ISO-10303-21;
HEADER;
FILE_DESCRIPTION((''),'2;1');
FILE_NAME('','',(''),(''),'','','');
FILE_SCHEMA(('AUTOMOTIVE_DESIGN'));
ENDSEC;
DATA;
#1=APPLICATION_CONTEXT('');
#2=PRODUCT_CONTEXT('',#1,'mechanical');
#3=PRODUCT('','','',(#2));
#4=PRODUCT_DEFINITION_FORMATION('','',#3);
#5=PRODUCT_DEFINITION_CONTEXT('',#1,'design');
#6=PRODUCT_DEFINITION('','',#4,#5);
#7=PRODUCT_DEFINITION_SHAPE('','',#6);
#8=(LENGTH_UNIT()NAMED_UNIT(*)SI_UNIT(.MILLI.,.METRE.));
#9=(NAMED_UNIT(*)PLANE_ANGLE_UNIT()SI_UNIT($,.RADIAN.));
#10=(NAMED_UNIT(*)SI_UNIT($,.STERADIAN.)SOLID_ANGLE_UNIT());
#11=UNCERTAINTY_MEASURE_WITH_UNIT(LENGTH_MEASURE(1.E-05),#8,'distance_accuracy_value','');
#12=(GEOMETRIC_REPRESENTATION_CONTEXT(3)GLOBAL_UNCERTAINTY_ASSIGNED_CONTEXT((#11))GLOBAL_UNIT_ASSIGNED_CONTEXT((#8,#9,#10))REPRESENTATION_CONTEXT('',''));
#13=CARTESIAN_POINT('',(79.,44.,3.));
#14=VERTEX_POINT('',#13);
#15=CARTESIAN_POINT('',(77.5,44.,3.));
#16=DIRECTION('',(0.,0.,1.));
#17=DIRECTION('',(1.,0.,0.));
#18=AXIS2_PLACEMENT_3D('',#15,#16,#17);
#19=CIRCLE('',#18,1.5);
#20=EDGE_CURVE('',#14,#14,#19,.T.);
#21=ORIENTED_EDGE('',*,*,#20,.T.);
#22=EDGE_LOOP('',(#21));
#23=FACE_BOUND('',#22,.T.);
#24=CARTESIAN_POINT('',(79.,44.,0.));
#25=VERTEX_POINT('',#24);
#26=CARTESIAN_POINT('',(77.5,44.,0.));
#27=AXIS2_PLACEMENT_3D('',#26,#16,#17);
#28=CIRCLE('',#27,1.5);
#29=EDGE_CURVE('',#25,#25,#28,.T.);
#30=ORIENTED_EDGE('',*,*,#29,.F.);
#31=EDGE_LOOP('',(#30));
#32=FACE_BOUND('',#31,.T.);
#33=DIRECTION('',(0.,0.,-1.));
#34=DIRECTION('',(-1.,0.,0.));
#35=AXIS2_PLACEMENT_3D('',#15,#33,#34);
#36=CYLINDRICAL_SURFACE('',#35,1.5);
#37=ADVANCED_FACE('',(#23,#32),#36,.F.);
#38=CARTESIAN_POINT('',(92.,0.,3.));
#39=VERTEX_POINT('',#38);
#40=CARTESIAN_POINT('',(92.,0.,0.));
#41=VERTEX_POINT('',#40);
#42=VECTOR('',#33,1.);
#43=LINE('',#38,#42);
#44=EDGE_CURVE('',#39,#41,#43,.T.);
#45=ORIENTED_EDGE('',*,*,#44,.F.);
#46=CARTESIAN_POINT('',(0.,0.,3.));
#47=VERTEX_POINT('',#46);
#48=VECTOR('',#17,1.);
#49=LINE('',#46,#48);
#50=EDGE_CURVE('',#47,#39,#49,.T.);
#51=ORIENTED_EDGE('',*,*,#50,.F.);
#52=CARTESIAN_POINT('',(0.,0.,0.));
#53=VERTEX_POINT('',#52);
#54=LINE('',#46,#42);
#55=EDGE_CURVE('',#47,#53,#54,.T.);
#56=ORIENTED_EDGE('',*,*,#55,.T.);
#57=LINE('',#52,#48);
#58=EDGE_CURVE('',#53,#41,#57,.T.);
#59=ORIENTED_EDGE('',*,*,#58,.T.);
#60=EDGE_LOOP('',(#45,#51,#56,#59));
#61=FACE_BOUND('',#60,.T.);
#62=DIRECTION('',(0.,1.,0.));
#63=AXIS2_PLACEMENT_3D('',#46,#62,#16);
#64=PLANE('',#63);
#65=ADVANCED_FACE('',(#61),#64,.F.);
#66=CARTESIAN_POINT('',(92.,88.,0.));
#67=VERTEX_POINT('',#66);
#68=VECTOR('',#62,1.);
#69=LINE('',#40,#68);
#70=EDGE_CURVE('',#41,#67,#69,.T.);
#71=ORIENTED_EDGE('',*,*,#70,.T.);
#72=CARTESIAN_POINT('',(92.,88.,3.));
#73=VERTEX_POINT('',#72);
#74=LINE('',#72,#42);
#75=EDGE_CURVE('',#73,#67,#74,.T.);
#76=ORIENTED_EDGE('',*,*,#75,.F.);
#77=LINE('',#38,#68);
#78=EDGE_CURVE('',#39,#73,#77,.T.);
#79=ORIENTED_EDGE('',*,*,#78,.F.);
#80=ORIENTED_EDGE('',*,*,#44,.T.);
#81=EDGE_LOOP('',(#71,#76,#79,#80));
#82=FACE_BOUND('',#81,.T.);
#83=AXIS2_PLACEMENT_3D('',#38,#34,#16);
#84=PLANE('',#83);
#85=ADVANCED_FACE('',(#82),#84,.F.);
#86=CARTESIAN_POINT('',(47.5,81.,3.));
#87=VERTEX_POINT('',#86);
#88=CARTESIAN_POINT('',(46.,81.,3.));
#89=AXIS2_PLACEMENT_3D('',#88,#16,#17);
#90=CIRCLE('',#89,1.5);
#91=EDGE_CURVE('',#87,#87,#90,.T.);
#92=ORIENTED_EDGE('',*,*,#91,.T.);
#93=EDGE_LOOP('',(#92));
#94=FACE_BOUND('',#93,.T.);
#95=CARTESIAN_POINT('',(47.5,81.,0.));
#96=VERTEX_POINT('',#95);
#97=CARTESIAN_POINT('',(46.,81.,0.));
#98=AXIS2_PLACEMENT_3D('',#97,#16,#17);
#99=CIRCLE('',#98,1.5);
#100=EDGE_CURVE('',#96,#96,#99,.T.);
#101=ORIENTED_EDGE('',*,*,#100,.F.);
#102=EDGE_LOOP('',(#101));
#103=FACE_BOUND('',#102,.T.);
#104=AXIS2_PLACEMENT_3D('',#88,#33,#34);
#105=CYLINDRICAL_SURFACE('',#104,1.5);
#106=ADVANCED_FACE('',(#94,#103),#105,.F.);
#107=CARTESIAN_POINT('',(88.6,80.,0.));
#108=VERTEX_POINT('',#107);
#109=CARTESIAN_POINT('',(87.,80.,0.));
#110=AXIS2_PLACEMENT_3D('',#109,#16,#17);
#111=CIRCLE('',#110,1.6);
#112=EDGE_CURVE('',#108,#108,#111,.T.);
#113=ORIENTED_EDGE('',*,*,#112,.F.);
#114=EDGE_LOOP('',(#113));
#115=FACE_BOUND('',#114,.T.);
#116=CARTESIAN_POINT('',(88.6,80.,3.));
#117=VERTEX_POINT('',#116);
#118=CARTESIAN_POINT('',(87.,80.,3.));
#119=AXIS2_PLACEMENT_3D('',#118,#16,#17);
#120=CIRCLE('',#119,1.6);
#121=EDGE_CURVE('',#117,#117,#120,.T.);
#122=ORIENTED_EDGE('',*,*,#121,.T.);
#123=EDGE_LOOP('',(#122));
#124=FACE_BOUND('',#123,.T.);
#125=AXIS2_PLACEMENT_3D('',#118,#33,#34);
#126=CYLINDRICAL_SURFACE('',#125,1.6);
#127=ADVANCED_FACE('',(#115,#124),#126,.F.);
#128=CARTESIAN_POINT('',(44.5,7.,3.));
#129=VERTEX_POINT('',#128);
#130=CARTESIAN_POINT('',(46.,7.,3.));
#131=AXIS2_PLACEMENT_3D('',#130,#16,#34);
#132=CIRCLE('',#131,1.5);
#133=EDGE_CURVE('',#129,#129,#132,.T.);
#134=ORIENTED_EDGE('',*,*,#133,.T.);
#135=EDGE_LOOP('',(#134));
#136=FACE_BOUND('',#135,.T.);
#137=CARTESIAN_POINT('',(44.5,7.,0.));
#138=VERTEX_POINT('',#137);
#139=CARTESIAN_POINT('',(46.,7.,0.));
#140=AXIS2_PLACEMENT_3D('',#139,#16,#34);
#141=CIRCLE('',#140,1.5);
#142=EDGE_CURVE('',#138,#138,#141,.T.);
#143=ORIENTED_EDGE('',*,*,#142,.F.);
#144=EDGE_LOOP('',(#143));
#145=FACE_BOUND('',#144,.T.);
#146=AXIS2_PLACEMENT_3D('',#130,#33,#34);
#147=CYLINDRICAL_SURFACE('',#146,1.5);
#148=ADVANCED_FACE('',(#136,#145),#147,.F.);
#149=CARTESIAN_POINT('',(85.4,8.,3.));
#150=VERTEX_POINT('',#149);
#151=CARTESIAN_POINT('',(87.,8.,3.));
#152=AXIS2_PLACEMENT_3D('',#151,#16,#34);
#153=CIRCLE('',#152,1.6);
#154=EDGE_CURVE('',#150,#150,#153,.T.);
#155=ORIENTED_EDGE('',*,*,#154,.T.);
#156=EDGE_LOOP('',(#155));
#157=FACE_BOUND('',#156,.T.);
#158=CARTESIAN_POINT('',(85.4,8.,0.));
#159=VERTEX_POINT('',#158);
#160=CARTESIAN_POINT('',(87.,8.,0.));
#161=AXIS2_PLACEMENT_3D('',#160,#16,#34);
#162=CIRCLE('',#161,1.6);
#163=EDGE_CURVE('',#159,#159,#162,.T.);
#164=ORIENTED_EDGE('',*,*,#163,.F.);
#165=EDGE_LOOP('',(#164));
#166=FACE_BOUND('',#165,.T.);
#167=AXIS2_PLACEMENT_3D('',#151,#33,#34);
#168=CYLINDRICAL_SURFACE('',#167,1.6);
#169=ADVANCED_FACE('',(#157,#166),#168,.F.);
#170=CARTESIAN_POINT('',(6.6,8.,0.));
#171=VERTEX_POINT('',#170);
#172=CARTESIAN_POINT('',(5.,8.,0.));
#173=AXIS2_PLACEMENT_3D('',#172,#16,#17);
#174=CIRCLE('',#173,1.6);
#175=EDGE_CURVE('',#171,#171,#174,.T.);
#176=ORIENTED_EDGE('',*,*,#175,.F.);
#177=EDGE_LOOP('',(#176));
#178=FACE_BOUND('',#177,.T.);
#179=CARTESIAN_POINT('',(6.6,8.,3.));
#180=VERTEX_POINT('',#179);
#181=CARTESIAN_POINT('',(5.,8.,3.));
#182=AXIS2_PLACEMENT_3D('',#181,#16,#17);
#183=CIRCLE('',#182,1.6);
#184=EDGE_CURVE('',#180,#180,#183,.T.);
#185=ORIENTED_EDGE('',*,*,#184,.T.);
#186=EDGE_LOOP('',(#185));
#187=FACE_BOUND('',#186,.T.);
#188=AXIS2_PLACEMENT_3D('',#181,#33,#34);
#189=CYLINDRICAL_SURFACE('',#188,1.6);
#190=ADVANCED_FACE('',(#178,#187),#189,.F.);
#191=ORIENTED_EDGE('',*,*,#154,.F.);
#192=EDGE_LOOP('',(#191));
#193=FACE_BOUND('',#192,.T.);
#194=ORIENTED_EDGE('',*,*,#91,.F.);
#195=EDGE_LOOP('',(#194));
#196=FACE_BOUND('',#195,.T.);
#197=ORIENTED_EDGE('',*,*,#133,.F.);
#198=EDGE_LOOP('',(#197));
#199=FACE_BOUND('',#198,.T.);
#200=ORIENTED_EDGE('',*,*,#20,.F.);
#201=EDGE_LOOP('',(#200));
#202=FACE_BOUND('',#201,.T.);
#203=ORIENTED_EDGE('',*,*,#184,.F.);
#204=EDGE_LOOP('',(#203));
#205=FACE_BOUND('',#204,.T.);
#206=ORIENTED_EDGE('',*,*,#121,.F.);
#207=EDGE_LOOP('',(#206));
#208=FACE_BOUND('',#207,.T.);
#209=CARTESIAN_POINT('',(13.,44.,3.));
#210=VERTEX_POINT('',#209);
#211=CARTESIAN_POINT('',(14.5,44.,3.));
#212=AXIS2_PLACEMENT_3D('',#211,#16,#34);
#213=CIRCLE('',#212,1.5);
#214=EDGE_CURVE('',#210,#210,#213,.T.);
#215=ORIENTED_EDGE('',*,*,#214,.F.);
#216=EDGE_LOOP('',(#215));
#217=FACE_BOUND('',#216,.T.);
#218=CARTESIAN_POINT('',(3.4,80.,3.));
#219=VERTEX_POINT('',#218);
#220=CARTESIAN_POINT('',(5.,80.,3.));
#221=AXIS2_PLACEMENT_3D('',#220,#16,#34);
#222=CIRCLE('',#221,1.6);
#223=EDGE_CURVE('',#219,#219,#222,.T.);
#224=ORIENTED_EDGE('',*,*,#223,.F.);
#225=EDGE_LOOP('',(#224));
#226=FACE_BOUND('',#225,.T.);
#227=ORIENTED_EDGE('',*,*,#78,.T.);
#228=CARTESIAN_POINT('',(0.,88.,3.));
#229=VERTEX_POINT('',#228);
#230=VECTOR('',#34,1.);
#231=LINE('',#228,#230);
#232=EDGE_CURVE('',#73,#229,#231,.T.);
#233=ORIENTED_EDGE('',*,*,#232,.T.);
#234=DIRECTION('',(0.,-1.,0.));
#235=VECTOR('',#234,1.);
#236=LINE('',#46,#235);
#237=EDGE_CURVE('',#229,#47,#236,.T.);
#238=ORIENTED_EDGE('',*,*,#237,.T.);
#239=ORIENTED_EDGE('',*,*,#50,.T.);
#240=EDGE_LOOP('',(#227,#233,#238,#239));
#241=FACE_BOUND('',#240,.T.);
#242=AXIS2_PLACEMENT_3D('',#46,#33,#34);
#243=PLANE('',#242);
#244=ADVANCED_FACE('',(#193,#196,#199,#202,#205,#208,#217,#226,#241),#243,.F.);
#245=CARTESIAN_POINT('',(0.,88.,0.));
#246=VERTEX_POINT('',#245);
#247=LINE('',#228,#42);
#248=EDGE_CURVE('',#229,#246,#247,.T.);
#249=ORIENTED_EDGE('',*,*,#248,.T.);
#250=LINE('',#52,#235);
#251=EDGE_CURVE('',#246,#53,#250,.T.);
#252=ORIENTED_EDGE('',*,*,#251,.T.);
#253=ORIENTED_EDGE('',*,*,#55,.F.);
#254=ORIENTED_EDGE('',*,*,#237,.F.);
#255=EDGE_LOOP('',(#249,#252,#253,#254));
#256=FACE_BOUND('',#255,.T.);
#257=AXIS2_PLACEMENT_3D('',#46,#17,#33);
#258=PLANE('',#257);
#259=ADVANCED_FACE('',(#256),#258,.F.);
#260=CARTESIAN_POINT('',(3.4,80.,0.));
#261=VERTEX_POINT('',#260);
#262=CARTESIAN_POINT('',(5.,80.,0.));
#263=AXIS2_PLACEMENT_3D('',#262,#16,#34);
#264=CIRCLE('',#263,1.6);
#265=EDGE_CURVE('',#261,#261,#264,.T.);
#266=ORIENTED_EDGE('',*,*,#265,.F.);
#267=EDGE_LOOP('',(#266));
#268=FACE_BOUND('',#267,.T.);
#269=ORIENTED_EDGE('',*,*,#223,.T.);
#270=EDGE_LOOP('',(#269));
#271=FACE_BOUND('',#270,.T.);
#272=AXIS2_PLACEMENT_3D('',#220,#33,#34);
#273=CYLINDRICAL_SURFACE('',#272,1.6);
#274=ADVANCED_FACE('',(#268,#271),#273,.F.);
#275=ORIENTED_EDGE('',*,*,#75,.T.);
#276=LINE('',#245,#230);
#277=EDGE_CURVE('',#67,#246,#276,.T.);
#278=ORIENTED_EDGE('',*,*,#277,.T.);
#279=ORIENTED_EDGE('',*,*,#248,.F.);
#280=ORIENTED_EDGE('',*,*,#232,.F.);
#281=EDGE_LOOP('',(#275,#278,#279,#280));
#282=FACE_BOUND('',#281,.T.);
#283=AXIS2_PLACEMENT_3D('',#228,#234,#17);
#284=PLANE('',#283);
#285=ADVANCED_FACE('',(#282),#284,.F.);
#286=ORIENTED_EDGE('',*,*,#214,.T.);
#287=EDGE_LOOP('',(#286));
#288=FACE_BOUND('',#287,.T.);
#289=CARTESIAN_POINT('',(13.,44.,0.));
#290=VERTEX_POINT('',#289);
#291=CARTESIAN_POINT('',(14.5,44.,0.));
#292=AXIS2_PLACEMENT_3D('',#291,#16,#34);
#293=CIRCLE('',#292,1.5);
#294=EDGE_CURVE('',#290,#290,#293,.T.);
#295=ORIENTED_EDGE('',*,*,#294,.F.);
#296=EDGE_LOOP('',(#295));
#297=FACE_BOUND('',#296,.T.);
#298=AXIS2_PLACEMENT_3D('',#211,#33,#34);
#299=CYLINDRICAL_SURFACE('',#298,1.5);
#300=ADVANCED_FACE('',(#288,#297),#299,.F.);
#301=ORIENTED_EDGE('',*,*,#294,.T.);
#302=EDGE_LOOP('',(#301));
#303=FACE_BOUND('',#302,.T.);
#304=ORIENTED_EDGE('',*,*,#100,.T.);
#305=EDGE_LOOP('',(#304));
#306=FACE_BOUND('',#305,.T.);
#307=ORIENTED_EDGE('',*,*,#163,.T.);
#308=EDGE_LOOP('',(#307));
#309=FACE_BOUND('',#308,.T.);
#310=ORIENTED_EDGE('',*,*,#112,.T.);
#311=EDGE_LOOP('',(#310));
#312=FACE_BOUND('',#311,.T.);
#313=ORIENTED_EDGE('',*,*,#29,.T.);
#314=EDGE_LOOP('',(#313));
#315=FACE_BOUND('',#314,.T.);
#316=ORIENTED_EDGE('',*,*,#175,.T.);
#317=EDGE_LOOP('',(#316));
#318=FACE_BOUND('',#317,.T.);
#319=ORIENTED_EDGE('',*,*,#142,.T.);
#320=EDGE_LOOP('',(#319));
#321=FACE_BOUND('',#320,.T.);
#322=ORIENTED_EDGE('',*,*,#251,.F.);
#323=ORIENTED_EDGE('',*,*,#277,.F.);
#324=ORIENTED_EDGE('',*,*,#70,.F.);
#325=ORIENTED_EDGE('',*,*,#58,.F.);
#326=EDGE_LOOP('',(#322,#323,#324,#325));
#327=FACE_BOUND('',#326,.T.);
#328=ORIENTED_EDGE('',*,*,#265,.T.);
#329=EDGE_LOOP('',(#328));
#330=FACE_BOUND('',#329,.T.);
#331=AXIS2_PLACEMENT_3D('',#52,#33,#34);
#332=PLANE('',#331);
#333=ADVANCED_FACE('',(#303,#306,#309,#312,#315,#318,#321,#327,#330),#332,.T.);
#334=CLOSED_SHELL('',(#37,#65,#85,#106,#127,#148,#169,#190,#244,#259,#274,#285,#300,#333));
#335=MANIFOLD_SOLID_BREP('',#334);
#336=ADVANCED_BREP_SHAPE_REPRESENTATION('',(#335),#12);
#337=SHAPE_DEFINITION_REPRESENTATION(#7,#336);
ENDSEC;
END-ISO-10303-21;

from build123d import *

# Parameters (mm, degrees)
SKETCH_1_W      = 92
SKETCH_1_H      = 88
SKETCH_1_R      = 1.6
SKETCH_1_R_2    = 1.5
EXTRUDE_1_DEPTH = 3


with BuildPart() as part:
    # 草图1 → 凸台-拉伸1 (new body)
    with BuildSketch(Plane.XY):
        with Locations((46, 44)):
            Rectangle(SKETCH_1_W, SKETCH_1_H)
        with Locations((5, 8)):
            Circle(SKETCH_1_R, mode=Mode.SUBTRACT)
        with Locations(Location((5, 80, 0), (0, 0, 180))):
            Circle(SKETCH_1_R, mode=Mode.SUBTRACT)
        with Locations(Location((87, 8, 0), (0, 0, 180))):
            Circle(SKETCH_1_R, mode=Mode.SUBTRACT)
        with Locations((87, 80)):
            Circle(SKETCH_1_R, mode=Mode.SUBTRACT)
        with Locations((46, 81)):
            Circle(SKETCH_1_R_2, mode=Mode.SUBTRACT)
        with Locations((77.5, 44)):
            Circle(SKETCH_1_R_2, mode=Mode.SUBTRACT)
        with Locations(Location((46, 7, 0), (0, 0, 180))):
            Circle(SKETCH_1_R_2, mode=Mode.SUBTRACT)
        with Locations(Location((14.5, 44, 0), (0, 0, 180))):
            Circle(SKETCH_1_R_2, mode=Mode.SUBTRACT)
    extrude(amount=EXTRUDE_1_DEPTH)


solid = part.part
